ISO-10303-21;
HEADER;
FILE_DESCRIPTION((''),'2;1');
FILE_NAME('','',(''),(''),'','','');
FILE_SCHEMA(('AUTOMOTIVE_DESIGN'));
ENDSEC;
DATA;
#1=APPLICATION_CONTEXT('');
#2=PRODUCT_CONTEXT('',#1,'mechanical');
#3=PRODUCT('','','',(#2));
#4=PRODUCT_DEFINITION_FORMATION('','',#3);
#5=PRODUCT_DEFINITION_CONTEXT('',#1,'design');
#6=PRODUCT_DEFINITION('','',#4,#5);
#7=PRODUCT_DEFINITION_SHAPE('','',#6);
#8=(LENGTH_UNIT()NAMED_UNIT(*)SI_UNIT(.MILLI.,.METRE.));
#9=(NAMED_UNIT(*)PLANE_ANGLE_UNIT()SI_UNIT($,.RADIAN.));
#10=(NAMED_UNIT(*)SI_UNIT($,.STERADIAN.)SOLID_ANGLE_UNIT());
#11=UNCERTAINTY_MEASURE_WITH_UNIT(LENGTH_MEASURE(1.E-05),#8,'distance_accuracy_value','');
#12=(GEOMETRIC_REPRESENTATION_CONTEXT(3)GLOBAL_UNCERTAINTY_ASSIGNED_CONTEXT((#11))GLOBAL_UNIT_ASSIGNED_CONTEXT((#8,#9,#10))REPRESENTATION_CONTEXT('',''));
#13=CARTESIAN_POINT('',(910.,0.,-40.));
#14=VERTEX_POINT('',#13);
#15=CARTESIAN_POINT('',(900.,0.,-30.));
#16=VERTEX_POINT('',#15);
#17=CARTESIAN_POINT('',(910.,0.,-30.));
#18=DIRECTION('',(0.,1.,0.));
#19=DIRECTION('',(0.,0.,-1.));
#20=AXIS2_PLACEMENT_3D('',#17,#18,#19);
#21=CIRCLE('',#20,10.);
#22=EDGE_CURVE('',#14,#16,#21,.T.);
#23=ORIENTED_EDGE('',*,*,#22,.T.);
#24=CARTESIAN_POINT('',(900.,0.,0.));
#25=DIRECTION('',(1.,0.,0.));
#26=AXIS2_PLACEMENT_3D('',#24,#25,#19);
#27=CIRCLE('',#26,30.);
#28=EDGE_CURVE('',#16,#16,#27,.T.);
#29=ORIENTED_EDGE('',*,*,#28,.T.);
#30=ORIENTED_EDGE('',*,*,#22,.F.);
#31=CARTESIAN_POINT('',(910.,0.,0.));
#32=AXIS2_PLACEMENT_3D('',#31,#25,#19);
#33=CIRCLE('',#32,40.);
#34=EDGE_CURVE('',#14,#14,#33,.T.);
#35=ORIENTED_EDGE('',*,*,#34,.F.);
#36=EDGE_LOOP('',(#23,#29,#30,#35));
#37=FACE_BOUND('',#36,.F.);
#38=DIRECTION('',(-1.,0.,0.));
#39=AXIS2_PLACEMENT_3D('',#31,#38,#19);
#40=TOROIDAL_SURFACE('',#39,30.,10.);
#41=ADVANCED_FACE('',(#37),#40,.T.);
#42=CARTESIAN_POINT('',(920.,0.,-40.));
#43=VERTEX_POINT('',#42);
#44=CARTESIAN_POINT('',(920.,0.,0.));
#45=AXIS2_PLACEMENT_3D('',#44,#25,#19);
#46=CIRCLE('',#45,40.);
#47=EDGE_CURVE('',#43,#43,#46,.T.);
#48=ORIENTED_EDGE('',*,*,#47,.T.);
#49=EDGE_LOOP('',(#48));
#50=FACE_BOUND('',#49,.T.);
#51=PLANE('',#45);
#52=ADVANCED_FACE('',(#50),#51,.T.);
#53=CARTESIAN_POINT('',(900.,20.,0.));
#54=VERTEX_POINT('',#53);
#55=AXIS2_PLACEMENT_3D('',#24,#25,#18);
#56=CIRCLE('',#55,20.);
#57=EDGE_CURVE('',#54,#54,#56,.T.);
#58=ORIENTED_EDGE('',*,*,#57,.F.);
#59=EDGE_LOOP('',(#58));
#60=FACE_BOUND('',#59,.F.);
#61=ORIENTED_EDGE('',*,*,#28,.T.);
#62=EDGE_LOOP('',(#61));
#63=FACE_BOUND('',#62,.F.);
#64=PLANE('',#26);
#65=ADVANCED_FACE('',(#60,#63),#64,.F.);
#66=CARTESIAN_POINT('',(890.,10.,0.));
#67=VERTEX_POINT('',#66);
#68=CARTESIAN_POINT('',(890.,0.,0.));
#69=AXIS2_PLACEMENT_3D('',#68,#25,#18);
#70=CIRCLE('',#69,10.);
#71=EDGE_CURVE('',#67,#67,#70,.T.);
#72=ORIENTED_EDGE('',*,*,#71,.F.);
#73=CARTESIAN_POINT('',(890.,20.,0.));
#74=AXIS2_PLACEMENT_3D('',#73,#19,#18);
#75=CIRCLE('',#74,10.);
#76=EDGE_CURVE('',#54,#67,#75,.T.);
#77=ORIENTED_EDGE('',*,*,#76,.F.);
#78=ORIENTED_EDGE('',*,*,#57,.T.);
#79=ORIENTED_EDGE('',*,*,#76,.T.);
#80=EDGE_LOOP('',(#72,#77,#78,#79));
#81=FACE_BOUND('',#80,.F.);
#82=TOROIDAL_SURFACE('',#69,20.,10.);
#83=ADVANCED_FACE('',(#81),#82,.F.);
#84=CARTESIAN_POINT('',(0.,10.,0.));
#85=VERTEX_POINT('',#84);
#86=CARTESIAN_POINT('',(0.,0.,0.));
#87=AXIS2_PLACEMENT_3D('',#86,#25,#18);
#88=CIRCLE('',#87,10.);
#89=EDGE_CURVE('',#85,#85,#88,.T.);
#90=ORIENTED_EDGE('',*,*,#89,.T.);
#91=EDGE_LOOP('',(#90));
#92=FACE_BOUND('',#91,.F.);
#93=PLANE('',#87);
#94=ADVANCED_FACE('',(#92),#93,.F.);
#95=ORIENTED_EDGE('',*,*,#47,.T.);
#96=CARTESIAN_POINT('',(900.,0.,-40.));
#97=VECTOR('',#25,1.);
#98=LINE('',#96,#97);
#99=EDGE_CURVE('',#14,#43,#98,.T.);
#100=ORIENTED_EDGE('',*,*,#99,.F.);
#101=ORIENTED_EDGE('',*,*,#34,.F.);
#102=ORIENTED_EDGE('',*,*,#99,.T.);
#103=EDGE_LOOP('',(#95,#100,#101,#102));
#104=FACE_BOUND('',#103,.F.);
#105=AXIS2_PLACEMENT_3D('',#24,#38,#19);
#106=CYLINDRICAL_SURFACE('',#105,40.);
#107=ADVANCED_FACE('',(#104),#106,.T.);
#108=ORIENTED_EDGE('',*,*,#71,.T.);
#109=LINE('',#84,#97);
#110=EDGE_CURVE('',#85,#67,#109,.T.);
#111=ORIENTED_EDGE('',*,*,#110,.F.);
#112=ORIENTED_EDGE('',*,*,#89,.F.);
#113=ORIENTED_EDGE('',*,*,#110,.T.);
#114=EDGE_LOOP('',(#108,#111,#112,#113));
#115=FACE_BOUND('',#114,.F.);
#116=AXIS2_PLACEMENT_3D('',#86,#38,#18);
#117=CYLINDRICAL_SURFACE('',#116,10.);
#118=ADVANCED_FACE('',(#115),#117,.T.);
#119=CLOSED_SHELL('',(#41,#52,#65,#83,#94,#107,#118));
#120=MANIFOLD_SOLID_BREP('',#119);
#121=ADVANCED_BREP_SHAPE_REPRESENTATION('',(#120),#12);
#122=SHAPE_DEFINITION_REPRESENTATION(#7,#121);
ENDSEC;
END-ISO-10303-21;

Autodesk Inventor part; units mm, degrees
ref_plane "YZ Plane" through (0, 0, 0) normal (1, 0, 0) x (0, 1, 0)
ref_plane "XZ Plane" through (0, 0, 0) normal (0, 1, 0) x (-1, 0, 0)
ref_plane "XY Plane" through (0, 0, 0) normal (0, 0, 1) x (1, 0, 0)
sketch "Sketch1" plane through (0, 0, 0) normal (1, 0, 0) x (0, 1, 0)
  circle A0 centre (0, 0) radius 10
  dimension "d0" = 20
extrude "Extrusion1" add sketch "Sketch1" along normal blind 900
sketch "Sketch2" plane through (900, 0, 0) normal (1, 0, 0) x (0, 0, -1)
  circle A0 centre (0, 0) radius 40
  dimension "d3" = 80
extrude "Extrusion2" add sketch "Sketch2" along normal blind 20
fillet "Fillet1" radius 10 1 edges at (900, 0, 40)
fillet "Fillet2" radius 10 1 edges at (900, -10, 0)
properties part number "pneumatic_cylinder_assembly" material "Stainless Steel"
